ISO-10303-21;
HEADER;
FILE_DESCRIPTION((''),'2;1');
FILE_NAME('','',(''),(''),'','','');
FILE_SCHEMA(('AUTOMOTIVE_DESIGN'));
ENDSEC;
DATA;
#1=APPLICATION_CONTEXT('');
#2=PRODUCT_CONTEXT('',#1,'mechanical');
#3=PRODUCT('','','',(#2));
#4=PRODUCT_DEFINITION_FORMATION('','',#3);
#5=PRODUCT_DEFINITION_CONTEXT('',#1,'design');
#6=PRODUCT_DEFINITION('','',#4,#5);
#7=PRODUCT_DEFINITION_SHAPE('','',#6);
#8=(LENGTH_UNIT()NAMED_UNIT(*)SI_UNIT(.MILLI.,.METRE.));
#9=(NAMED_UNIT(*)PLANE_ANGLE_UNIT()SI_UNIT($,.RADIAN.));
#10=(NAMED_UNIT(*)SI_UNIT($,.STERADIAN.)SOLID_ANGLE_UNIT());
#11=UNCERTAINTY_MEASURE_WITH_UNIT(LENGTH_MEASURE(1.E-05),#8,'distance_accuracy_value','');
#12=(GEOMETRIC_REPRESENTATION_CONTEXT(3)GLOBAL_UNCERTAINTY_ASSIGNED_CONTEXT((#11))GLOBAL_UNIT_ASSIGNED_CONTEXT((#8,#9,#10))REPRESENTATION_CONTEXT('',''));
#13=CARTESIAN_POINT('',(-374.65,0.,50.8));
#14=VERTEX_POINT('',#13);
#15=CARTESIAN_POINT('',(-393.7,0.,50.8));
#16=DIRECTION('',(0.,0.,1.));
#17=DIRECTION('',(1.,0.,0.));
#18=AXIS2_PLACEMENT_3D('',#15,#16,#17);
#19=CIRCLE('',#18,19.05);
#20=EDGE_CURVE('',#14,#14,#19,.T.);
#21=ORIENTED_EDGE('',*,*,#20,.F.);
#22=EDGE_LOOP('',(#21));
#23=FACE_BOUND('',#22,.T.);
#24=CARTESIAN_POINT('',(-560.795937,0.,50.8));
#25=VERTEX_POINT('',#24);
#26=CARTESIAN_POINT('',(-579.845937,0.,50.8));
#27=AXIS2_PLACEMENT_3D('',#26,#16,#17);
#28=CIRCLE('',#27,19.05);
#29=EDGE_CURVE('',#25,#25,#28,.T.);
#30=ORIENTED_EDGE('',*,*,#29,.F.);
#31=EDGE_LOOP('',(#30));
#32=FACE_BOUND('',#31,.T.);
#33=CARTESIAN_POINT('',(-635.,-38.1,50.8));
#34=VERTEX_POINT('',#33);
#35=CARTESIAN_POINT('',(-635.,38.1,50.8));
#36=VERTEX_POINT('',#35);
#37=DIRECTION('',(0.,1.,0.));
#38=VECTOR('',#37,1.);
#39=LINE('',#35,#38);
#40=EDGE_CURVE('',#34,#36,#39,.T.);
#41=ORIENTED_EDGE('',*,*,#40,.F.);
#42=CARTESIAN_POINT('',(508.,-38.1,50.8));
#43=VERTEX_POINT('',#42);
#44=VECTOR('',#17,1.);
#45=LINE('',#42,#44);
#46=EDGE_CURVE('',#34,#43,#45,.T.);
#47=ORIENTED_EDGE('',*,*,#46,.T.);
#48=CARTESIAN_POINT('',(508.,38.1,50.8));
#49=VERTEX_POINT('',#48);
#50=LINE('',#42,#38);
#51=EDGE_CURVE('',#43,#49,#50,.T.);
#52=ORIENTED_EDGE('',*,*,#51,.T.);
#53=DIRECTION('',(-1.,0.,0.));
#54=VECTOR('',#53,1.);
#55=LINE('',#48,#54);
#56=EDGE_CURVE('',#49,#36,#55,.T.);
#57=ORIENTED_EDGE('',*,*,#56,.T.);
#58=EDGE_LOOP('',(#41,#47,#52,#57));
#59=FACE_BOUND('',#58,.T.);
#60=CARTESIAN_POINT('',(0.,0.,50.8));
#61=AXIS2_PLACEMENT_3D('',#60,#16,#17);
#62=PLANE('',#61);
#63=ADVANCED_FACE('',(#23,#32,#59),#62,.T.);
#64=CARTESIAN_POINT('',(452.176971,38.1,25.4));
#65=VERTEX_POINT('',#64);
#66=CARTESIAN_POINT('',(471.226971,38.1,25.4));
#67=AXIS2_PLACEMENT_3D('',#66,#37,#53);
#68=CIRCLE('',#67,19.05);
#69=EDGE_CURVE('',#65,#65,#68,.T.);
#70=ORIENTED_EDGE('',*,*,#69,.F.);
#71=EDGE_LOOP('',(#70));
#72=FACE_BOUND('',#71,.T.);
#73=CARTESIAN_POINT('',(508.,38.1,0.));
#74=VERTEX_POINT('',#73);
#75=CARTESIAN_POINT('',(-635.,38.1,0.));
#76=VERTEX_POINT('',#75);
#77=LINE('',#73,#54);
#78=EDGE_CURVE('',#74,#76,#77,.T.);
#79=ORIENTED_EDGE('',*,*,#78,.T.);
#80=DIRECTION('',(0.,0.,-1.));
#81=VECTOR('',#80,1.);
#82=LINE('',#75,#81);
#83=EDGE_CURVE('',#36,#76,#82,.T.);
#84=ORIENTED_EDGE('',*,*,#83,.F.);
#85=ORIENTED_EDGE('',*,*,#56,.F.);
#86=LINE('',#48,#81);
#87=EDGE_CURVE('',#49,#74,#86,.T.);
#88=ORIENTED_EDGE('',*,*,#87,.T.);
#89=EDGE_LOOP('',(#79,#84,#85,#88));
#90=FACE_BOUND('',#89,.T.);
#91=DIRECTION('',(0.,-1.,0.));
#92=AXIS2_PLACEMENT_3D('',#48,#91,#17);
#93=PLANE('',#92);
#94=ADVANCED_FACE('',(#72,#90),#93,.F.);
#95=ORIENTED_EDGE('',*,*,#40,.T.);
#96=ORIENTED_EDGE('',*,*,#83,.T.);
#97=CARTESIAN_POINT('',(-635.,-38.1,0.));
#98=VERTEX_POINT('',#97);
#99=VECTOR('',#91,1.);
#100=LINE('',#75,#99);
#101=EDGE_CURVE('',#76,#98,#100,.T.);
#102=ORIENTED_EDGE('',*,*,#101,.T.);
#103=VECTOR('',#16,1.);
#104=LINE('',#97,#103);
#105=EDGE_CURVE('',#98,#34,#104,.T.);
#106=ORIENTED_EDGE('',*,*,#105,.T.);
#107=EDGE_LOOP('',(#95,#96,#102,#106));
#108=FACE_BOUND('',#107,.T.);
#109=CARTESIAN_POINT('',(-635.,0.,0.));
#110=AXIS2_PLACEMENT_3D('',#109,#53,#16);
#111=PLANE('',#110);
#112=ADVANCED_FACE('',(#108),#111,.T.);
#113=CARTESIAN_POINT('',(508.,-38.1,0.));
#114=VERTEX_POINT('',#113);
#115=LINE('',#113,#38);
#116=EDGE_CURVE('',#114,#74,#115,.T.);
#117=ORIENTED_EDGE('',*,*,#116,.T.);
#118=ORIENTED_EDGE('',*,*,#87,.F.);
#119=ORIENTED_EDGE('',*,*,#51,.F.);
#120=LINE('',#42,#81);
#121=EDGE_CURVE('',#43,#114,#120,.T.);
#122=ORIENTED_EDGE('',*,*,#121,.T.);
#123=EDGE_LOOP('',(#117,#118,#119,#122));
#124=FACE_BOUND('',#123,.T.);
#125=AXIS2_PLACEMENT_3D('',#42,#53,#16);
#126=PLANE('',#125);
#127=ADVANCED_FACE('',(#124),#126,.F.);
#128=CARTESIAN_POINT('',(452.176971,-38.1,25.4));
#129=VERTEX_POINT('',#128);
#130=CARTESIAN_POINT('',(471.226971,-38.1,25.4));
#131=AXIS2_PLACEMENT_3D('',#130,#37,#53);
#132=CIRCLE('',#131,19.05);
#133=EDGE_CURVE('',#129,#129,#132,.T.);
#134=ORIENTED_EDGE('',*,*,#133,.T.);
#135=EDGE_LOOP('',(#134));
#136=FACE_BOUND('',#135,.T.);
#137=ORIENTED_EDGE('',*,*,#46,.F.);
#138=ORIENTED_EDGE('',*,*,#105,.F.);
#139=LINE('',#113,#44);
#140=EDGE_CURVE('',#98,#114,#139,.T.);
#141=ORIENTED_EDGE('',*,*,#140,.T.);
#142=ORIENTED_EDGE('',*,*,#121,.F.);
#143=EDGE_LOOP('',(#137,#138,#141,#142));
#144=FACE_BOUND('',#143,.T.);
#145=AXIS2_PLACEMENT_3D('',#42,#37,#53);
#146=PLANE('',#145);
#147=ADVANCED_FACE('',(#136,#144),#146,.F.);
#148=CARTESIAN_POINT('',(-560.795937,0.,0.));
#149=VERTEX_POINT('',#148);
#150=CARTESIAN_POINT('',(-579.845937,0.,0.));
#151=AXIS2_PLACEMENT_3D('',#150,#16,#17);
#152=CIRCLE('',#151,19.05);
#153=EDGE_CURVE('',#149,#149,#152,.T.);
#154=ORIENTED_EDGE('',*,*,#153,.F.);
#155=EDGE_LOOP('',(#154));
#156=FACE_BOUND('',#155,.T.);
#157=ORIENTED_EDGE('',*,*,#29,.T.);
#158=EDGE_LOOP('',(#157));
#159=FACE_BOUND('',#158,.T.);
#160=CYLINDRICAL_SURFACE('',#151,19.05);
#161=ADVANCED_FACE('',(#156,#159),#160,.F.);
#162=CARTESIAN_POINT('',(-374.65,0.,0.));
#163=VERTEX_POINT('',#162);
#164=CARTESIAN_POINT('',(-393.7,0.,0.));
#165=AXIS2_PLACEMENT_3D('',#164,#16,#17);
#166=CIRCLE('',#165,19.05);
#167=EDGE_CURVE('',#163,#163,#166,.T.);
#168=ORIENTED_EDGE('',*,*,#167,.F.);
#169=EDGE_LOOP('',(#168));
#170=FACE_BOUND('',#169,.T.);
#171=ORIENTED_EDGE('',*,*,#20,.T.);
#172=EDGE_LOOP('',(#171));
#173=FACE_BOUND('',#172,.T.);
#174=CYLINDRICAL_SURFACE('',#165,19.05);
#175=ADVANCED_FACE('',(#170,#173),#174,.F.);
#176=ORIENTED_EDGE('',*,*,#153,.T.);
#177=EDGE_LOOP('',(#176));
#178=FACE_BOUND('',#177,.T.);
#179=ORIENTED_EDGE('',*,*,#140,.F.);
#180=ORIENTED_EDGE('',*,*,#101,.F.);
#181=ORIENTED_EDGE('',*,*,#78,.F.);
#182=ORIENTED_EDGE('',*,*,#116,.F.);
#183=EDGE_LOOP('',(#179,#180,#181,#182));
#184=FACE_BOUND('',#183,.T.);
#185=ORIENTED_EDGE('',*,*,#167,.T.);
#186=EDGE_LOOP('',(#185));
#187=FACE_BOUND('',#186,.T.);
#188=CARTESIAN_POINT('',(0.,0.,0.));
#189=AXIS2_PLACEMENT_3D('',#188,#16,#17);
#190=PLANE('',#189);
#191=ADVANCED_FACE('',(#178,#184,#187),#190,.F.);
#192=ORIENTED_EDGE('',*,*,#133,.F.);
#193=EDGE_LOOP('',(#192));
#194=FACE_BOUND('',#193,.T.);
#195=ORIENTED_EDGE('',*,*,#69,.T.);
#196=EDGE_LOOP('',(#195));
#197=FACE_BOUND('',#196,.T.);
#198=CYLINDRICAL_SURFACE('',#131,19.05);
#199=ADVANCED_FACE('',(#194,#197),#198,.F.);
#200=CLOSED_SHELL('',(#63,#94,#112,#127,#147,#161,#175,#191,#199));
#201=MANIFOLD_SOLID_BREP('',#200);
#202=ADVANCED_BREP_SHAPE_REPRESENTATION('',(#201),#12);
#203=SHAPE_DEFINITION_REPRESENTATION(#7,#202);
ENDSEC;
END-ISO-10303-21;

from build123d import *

# Parameters (mm, degrees)
CROQUIS1_W              = 1016
CROQUIS1_H              = 76.2
SALIENTE_EXTRUIR1_DEPTH = 50.8
CROQUIS2_R              = 19.05
CORTAR_EXTRUIR1_DEPTH   = 512.953367017
CROQUIS5_R              = 19.05
CORTAR_EXTRUIR3_DEPTH   = 517.188996396
CROQUIS6_W              = 50.8
CROQUIS6_H              = 76.2
SALIENTE_EXTRUIR2_DEPTH = 127
CROQUIS7_R              = 19.05
CORTAR_EXTRUIR4_DEPTH   = 639.167101941


with BuildPart() as part:
    # Croquis1 → Saliente-Extruir1 (new body)
    with BuildSketch(Plane.XY):
        Rectangle(CROQUIS1_W, CROQUIS1_H)
    extrude(amount=SALIENTE_EXTRUIR1_DEPTH)

    # Croquis2 → Cortar-Extruir1 (cut, through all)
    with BuildSketch(Plane.XY.offset(50.8)):
        with Locations((-393.7, 0)):
            Circle(CROQUIS2_R)
    extrude(amount=-CORTAR_EXTRUIR1_DEPTH, mode=Mode.SUBTRACT)

    # Croquis5 → Cortar-Extruir3 (cut, through all)
    with BuildSketch(Plane(origin=(0, 38.1, 0), x_dir=(1, 0, 0), z_dir=(0, 1, 0))):
        with Locations(Location((471.22697118, -25.4, 0), (0, 0, 180))):
            Circle(CROQUIS5_R)
    extrude(amount=-CORTAR_EXTRUIR3_DEPTH, mode=Mode.SUBTRACT)

    # Croquis6 → Saliente-Extruir2 (add)
    with BuildSketch(Plane.ZY.offset(508)):
        with Locations((25.4, 0)):
            Rectangle(CROQUIS6_W, CROQUIS6_H)
    extrude(amount=SALIENTE_EXTRUIR2_DEPTH)

    # Croquis7 → Cortar-Extruir4 (cut, through all)
    with BuildSketch(Plane.XY.offset(50.8)):
        with Locations((-579.845937481, 0)):
            Circle(CROQUIS7_R)
    extrude(amount=-CORTAR_EXTRUIR4_DEPTH, mode=Mode.SUBTRACT)


solid = part.part
